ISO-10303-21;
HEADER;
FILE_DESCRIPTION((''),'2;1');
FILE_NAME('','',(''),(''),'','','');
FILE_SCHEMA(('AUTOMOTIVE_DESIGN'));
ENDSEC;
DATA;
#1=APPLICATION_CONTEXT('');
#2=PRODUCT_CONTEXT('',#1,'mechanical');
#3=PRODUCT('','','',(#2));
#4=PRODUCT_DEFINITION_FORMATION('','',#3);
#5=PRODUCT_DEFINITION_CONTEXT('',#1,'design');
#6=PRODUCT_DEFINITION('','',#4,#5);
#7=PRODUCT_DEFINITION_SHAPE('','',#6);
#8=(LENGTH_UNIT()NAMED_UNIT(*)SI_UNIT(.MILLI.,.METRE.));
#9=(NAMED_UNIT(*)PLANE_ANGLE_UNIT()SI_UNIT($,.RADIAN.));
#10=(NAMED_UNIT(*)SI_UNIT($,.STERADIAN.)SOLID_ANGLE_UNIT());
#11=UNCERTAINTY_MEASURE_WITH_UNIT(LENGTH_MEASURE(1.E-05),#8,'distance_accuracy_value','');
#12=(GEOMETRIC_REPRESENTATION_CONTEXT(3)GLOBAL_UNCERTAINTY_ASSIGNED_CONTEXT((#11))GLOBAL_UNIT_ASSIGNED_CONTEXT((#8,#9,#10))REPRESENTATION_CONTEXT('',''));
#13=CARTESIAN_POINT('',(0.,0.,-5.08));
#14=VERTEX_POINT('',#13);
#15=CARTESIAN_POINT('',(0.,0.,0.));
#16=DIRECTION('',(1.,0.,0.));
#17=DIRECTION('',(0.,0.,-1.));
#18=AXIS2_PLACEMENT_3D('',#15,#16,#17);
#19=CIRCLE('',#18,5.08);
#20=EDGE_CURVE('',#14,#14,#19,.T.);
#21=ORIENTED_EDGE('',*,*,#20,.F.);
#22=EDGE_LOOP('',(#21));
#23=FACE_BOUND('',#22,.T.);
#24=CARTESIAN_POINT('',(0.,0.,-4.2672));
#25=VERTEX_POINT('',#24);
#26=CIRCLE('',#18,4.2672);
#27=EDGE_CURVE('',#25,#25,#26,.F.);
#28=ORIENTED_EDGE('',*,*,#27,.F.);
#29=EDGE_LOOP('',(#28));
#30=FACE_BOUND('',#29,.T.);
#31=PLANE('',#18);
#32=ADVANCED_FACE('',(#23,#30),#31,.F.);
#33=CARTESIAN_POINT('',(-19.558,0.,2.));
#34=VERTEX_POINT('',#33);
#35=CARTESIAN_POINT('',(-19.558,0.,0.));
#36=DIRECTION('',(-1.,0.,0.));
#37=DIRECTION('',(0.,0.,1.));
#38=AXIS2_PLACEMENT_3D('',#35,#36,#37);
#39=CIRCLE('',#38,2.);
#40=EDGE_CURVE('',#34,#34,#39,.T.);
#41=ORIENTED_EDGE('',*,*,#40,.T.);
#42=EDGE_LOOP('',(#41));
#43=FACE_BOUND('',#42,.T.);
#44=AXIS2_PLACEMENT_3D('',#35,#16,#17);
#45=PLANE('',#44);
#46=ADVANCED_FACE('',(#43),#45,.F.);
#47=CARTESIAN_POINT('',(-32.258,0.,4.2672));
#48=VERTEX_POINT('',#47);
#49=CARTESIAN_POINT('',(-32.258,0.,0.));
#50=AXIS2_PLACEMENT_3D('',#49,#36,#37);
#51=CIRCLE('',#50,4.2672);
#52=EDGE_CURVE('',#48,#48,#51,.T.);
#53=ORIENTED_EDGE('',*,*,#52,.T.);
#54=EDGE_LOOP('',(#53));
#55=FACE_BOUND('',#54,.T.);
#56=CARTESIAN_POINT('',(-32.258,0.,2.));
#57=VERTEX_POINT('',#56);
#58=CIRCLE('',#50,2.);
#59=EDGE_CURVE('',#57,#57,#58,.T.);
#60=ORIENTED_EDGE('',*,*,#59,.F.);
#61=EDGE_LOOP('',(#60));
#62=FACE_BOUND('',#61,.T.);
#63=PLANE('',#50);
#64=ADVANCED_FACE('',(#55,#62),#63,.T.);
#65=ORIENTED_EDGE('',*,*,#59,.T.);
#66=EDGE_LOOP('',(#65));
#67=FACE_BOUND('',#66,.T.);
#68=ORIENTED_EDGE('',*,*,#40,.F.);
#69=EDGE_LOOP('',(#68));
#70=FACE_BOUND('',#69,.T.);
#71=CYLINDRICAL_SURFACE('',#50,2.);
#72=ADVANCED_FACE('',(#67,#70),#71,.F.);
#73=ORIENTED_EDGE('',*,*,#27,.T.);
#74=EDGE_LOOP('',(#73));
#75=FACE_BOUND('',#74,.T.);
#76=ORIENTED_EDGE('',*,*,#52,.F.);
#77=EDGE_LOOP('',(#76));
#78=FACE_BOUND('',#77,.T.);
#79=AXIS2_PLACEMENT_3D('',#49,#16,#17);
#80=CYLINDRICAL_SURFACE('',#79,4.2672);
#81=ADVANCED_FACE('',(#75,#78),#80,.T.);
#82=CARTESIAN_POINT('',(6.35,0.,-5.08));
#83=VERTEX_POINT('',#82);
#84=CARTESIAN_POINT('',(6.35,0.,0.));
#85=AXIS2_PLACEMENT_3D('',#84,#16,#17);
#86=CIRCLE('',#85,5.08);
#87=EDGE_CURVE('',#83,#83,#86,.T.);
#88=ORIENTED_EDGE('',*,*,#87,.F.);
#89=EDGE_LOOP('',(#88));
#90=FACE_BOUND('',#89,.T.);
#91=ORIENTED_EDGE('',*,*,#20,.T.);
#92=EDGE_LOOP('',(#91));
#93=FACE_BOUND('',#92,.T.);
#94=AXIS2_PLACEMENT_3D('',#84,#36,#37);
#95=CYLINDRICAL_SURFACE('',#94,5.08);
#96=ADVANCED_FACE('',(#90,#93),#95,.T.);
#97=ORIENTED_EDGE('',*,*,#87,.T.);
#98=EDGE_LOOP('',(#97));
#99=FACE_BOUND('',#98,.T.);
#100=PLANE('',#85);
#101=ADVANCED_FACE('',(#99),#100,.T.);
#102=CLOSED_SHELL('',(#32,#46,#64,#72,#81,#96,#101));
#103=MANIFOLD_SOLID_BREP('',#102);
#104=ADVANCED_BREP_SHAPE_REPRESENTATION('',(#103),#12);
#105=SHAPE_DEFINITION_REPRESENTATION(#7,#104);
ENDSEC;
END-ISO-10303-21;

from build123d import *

# Parameters (mm, degrees)
SKETCH1_R                       = 5.08
BOSS_EXTRUDE1_DEPTH             = 6.35
SKETCH2_R                       = 4.2672
BOSS_EXTRUDE2_DEPTH             = 32.258
F_21_0_159_DIAMETER_HOLE1_D     = 3.999999874
F_21_0_159_DIAMETER_HOLE1_DEPTH = 12.7


with BuildPart() as part:
    # Sketch1 → Boss-Extrude1 (new body)
    with BuildSketch(Plane(origin=(0, 0, 0), x_dir=(0, 0, -1), z_dir=(1, 0, 0))):
        Circle(SKETCH1_R)
    extrude(amount=BOSS_EXTRUDE1_DEPTH)

    # Sketch2 → Boss-Extrude2 (add)
    with BuildSketch(Plane.ZY):
        with Locations(Location((0, 0, 0), (0, 0, 180))):
            Circle(SKETCH2_R)
    extrude(amount=BOSS_EXTRUDE2_DEPTH)

    # #21 (0.159) Diameter Hole1
    with Locations(Plane.ZY.offset(32.258)):
        with Locations((0, 0)):
            Hole(F_21_0_159_DIAMETER_HOLE1_D / 2, depth=F_21_0_159_DIAMETER_HOLE1_DEPTH)


solid = part.part
